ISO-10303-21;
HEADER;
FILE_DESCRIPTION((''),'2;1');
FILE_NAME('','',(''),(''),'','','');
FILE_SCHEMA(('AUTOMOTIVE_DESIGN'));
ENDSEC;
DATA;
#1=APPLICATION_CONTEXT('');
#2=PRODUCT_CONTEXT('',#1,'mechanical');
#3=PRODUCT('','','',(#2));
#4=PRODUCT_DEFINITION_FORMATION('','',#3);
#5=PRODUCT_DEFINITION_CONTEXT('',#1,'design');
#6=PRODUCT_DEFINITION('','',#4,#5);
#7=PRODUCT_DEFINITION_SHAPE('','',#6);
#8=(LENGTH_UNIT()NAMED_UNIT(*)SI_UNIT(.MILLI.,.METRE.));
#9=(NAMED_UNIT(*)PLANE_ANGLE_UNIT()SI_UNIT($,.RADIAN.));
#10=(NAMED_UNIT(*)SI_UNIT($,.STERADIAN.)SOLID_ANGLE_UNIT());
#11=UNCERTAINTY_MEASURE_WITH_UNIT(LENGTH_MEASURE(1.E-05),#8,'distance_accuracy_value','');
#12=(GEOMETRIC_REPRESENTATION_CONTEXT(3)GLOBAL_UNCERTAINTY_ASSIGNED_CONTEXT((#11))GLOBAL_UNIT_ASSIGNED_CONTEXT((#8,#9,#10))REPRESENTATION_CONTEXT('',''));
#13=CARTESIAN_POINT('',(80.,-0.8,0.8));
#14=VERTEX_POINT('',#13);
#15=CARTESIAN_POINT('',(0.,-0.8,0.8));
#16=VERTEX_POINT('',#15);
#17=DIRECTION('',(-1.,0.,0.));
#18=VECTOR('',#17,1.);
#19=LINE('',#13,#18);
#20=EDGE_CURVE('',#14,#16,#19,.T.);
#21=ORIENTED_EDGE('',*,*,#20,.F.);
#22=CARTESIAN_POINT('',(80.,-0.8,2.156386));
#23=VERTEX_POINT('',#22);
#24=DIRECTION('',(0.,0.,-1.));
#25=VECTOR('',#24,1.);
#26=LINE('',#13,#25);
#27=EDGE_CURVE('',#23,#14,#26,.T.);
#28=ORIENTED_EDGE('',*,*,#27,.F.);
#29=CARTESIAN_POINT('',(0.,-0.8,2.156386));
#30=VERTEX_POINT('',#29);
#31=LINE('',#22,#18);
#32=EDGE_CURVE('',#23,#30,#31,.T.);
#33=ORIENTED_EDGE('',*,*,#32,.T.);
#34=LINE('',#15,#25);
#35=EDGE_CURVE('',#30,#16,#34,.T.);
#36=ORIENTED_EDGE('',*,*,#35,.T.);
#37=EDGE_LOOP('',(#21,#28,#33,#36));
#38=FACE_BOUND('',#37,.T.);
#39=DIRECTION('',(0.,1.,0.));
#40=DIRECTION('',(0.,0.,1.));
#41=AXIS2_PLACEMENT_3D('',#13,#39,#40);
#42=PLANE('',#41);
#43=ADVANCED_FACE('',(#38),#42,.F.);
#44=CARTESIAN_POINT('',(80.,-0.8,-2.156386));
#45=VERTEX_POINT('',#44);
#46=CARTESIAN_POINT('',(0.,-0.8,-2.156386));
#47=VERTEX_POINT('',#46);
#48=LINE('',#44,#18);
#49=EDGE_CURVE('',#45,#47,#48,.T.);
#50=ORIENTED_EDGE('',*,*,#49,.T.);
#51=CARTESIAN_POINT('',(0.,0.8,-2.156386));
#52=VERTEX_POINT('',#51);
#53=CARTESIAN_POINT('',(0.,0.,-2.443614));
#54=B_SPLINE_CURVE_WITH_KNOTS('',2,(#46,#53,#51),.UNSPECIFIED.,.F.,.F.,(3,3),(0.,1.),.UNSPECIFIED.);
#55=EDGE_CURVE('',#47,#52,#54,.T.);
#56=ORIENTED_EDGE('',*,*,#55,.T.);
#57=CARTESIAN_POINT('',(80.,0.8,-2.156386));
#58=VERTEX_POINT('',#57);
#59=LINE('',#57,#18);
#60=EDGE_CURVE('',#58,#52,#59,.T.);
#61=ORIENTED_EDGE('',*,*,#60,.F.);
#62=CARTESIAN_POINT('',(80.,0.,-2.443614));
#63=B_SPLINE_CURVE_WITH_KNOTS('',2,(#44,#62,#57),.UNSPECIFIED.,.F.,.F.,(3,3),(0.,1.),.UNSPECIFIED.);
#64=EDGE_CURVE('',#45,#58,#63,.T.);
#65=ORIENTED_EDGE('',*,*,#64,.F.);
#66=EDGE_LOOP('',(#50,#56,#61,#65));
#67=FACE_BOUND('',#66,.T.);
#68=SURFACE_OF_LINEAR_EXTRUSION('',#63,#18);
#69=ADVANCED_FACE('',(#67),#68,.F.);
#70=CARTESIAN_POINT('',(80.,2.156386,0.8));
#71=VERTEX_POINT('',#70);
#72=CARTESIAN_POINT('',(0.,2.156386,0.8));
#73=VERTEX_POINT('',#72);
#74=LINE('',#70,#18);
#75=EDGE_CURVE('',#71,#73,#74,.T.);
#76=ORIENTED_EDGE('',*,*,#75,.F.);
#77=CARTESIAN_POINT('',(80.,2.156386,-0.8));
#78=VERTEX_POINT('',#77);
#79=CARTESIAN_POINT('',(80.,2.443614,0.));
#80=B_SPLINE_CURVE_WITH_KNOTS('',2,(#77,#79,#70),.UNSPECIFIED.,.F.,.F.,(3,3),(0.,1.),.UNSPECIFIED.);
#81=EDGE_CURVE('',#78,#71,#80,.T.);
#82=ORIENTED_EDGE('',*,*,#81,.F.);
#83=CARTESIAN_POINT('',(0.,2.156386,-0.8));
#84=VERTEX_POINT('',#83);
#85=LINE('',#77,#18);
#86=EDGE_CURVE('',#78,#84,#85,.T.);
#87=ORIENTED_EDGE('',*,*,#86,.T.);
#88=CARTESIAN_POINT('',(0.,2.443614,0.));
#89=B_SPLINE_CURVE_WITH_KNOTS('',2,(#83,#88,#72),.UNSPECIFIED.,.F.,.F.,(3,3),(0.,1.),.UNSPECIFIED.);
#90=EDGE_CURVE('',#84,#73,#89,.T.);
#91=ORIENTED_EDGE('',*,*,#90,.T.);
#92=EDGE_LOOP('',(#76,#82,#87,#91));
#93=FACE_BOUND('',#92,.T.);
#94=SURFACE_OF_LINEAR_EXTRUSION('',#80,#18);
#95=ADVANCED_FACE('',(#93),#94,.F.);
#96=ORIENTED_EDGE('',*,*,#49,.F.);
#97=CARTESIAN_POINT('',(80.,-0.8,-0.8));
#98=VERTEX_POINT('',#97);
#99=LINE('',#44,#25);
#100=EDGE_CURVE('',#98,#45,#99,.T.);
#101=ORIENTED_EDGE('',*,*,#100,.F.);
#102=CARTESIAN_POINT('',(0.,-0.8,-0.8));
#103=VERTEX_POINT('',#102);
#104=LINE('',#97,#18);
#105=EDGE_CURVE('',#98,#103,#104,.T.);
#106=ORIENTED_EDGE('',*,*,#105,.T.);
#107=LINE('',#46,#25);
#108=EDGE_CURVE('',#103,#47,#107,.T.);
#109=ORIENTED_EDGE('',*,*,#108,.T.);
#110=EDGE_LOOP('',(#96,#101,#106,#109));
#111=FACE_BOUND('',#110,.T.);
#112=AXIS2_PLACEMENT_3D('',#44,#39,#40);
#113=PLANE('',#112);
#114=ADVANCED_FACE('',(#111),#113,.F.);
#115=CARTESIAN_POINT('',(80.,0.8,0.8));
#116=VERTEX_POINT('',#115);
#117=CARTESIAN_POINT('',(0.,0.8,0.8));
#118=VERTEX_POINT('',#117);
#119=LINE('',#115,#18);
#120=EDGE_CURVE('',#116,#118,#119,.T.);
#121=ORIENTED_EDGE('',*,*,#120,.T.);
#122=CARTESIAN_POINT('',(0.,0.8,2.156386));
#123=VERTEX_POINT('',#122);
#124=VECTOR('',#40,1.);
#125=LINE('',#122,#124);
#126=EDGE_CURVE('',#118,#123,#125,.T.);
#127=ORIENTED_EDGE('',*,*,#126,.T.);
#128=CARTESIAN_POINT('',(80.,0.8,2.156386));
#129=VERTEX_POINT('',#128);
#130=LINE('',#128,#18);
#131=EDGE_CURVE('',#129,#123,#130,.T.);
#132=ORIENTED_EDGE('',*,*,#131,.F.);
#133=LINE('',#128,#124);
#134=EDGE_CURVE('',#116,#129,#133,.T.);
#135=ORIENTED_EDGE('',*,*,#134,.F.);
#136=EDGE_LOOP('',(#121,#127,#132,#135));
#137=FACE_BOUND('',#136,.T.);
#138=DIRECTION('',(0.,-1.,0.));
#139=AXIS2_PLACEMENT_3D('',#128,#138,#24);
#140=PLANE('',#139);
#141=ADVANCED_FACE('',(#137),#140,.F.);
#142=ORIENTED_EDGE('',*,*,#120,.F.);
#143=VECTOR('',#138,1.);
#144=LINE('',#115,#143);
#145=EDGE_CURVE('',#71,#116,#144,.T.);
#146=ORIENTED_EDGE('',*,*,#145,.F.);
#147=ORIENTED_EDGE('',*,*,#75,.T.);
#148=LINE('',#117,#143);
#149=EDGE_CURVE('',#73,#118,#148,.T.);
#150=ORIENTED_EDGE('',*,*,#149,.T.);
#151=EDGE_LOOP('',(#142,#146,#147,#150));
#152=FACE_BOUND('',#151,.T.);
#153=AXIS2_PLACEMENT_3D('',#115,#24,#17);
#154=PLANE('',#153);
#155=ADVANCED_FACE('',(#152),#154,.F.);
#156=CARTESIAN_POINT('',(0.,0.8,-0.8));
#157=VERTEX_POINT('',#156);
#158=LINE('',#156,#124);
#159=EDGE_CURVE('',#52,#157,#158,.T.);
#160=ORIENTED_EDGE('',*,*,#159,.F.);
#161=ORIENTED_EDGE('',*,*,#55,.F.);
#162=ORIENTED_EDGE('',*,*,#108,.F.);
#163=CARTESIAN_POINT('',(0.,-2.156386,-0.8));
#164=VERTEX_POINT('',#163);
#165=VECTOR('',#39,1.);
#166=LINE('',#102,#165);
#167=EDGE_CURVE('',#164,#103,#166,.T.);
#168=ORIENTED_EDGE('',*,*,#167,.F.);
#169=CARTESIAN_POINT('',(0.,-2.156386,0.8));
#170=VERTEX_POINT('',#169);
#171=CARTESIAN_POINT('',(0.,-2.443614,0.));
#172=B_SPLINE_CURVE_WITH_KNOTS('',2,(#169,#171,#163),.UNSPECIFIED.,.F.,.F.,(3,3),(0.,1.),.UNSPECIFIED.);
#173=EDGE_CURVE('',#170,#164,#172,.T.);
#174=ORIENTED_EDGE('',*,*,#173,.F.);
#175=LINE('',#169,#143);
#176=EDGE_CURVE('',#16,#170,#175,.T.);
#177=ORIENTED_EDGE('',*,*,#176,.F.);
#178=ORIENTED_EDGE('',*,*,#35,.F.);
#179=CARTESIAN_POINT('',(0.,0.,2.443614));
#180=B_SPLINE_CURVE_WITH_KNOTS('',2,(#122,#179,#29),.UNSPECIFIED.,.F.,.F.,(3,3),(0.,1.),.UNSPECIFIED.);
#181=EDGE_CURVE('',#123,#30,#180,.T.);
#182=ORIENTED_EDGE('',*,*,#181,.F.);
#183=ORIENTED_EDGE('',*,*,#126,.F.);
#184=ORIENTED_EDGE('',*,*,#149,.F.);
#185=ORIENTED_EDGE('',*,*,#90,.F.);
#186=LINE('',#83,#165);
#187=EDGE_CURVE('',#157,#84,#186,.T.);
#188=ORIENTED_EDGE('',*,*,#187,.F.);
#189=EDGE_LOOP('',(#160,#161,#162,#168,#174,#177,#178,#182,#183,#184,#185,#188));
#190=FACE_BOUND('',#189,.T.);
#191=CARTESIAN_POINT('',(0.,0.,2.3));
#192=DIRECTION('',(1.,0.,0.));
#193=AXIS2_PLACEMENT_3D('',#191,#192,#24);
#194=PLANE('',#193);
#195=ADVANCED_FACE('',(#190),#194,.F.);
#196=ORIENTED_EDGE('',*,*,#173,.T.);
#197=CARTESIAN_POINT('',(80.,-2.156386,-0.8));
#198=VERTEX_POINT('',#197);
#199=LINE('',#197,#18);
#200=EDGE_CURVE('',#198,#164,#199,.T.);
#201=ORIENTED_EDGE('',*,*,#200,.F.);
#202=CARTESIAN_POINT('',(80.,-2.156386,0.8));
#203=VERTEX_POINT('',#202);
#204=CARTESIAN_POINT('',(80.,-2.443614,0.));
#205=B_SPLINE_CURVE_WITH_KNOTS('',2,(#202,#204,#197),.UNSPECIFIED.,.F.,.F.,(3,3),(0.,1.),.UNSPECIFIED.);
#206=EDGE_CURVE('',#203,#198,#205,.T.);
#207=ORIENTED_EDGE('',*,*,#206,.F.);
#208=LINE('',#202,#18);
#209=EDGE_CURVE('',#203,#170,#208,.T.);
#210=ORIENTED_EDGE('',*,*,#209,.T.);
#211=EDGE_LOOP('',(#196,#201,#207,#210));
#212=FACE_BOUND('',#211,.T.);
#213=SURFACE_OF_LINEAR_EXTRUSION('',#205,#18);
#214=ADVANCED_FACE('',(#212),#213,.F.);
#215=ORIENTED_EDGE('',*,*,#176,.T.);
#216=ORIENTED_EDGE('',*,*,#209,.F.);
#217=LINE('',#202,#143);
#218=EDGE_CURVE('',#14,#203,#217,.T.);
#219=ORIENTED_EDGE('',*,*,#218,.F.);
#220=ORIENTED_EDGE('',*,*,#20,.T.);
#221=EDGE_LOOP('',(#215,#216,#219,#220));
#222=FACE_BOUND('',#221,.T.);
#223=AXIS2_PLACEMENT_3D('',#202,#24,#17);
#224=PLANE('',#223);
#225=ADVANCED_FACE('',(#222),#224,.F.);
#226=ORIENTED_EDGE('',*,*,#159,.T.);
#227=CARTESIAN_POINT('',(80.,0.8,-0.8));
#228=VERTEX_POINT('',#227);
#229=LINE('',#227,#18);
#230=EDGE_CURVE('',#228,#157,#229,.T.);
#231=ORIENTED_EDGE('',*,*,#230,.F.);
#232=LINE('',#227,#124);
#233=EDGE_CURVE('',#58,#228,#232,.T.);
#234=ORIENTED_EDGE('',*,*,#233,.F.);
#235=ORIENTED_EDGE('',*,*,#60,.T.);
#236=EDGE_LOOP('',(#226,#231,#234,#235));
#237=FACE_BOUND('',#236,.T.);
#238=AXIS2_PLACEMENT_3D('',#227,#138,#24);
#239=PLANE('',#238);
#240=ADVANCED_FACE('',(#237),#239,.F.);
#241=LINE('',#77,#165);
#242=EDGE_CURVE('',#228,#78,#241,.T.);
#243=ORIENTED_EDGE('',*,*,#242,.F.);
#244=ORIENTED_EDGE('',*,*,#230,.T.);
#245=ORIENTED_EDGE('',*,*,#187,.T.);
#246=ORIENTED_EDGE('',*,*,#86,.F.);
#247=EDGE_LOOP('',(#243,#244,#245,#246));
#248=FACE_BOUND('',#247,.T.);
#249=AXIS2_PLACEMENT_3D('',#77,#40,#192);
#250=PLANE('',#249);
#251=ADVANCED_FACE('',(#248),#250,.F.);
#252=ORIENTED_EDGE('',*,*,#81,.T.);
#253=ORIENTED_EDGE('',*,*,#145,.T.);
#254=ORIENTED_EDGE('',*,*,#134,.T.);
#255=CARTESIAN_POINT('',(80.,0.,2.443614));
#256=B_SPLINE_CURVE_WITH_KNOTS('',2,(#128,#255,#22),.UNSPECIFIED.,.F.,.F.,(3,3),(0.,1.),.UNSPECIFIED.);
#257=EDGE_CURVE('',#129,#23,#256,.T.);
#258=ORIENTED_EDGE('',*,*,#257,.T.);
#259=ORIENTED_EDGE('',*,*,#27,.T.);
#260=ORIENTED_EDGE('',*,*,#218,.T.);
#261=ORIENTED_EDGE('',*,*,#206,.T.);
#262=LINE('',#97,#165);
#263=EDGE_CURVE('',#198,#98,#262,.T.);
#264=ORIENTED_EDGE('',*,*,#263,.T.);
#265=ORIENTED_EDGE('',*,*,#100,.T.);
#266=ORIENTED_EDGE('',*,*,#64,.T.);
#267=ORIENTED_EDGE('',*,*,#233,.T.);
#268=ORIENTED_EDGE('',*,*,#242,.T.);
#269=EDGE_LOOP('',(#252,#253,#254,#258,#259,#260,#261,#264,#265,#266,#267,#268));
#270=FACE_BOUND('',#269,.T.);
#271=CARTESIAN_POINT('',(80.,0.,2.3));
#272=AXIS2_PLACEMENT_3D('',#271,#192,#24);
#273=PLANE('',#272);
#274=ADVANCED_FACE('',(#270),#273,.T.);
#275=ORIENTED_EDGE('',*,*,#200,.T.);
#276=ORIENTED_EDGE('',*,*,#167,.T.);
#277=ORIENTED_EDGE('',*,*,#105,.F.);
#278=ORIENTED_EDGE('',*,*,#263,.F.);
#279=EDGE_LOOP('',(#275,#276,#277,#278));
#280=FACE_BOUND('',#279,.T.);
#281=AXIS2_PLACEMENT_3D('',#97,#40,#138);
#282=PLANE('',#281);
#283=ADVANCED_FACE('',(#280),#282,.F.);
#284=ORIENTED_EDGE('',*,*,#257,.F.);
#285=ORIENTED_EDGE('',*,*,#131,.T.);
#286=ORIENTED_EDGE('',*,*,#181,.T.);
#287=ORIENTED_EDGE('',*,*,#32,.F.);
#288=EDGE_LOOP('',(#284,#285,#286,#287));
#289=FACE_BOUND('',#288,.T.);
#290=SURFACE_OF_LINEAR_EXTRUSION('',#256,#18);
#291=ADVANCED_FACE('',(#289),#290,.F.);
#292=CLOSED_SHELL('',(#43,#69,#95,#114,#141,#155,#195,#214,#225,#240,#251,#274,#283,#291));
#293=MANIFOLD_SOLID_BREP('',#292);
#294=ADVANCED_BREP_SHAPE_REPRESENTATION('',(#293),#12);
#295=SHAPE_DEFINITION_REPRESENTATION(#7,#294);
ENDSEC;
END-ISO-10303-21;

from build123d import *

# Parameters (mm, degrees)
BOSS_EXTRUDE1_DEPTH = 80


with BuildPart() as part:
    # Sketch1 → Boss-Extrude1 (new body)
    with BuildSketch(Plane(origin=(0, 0, 0), x_dir=(0, 0, -1), z_dir=(1, 0, 0))):
        with BuildLine():
            Line((-2.156385865, 0.8), (-0.8, 0.8))
            Line((-0.8, 0.8), (-0.8, 2.156385865))
            add(Edge.make_bspline(
                [(-0.8, 2.156385865), (0, 2.443614135), (0.8, 2.156385865)],
                knots=[0, 0, 0, 1, 1, 1], degree=2))
            Line((0.8, 2.156385865), (0.8, 0.8))
            Line((0.8, 0.8), (2.156385865, 0.8))
            add(Edge.make_bspline(
                [(2.156385865, 0.8), (2.443614135, 0), (2.156385865, -0.8)],
                knots=[0, 0, 0, 1, 1, 1], degree=2))
            Line((2.156385865, -0.8), (0.8, -0.8))
            Line((0.8, -0.8), (0.8, -2.156385865))
            add(Edge.make_bspline(
                [(0.8, -2.156385865), (0, -2.443614135), (-0.8, -2.156385865)],
                knots=[0, 0, 0, 1, 1, 1], degree=2))
            Line((-0.8, -2.156385865), (-0.8, -0.8))
            Line((-0.8, -0.8), (-2.156385865, -0.8))
            add(Edge.make_bspline(
                [(-2.156385865, -0.8), (-2.443614135, 0), (-2.156385865, 0.8)],
                knots=[0, 0, 0, 1, 1, 1], degree=2))
        make_face()
    extrude(amount=BOSS_EXTRUDE1_DEPTH)


solid = part.part
